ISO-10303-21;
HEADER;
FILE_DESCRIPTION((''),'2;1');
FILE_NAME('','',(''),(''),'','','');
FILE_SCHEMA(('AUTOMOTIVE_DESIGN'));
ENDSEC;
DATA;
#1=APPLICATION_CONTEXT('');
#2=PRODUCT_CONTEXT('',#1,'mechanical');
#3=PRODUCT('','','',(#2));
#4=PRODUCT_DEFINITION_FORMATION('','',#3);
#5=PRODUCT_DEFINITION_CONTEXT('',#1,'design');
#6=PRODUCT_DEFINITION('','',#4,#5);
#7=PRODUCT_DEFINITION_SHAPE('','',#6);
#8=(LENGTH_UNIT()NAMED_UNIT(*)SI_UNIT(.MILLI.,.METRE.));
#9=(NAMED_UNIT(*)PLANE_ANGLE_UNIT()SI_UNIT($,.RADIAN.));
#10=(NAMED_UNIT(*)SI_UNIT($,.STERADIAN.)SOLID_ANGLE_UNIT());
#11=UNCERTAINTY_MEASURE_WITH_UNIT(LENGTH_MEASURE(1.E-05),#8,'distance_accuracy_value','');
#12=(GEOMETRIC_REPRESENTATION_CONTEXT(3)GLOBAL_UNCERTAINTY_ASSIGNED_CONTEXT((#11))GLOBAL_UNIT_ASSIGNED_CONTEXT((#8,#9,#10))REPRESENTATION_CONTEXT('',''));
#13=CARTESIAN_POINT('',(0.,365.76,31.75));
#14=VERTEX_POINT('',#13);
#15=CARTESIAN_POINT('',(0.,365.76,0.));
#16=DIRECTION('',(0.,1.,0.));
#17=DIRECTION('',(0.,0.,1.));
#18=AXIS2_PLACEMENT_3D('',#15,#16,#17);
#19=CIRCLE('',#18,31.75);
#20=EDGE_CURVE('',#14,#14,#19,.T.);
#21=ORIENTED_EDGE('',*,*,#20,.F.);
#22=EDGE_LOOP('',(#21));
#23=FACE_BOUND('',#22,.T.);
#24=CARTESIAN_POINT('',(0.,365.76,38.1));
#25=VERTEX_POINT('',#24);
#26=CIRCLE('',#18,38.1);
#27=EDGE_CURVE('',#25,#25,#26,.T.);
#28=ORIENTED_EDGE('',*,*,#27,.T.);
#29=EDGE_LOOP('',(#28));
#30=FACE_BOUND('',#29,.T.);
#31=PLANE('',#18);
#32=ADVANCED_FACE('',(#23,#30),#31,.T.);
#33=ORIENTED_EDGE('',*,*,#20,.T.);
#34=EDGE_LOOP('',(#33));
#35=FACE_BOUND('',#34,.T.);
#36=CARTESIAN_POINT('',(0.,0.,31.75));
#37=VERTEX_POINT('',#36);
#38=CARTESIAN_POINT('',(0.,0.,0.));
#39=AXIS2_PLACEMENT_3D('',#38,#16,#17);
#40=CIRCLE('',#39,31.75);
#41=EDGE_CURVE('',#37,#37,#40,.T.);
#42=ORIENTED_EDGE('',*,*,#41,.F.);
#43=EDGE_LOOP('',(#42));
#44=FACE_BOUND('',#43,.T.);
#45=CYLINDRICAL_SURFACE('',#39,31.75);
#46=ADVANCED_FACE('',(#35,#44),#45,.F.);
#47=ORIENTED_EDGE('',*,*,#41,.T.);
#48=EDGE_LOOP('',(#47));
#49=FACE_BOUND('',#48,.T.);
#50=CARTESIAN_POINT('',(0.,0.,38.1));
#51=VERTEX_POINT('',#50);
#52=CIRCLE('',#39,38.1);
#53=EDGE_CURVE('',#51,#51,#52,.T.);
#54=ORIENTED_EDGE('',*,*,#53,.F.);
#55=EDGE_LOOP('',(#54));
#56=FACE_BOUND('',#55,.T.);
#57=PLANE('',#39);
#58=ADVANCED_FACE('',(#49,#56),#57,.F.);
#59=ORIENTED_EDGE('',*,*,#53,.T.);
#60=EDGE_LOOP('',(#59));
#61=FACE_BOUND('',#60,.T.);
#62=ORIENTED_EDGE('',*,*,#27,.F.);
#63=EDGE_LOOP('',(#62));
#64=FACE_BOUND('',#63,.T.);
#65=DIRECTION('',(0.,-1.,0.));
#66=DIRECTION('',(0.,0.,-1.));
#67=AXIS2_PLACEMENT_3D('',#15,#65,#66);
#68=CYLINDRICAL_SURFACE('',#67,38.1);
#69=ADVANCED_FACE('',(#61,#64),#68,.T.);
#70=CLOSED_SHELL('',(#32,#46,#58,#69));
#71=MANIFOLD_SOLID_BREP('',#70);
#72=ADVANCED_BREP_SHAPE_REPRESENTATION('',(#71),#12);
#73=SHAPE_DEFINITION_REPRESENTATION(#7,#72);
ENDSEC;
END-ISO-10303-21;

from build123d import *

# Parameters (mm, degrees)
SKETCH1_R           = 38.1
BOSS_EXTRUDE1_DEPTH = 365.76
SKETCH2_R           = 31.75
CUT_EXTRUDE1_DEPTH  = 370.707448667


with BuildPart() as part:
    # Sketch1 → Boss-Extrude1 (new body)
    with BuildSketch(Plane(origin=(0, 0, 0), x_dir=(1, 0, 0), z_dir=(0, 1, 0))):
        with Locations(Location((0, 0, 0), (0, 0, 270))):
            Circle(SKETCH1_R)
    extrude(amount=BOSS_EXTRUDE1_DEPTH)

    # Sketch2 → Cut-Extrude1 (cut, through all)
    with BuildSketch(Plane(origin=(0, 365.76, 0), x_dir=(1, 0, 0), z_dir=(0, 1, 0))):
        with Locations(Location((0, 0, 0), (0, 0, 270))):
            Circle(SKETCH2_R)
    extrude(amount=-CUT_EXTRUDE1_DEPTH, mode=Mode.SUBTRACT)


solid = part.part
